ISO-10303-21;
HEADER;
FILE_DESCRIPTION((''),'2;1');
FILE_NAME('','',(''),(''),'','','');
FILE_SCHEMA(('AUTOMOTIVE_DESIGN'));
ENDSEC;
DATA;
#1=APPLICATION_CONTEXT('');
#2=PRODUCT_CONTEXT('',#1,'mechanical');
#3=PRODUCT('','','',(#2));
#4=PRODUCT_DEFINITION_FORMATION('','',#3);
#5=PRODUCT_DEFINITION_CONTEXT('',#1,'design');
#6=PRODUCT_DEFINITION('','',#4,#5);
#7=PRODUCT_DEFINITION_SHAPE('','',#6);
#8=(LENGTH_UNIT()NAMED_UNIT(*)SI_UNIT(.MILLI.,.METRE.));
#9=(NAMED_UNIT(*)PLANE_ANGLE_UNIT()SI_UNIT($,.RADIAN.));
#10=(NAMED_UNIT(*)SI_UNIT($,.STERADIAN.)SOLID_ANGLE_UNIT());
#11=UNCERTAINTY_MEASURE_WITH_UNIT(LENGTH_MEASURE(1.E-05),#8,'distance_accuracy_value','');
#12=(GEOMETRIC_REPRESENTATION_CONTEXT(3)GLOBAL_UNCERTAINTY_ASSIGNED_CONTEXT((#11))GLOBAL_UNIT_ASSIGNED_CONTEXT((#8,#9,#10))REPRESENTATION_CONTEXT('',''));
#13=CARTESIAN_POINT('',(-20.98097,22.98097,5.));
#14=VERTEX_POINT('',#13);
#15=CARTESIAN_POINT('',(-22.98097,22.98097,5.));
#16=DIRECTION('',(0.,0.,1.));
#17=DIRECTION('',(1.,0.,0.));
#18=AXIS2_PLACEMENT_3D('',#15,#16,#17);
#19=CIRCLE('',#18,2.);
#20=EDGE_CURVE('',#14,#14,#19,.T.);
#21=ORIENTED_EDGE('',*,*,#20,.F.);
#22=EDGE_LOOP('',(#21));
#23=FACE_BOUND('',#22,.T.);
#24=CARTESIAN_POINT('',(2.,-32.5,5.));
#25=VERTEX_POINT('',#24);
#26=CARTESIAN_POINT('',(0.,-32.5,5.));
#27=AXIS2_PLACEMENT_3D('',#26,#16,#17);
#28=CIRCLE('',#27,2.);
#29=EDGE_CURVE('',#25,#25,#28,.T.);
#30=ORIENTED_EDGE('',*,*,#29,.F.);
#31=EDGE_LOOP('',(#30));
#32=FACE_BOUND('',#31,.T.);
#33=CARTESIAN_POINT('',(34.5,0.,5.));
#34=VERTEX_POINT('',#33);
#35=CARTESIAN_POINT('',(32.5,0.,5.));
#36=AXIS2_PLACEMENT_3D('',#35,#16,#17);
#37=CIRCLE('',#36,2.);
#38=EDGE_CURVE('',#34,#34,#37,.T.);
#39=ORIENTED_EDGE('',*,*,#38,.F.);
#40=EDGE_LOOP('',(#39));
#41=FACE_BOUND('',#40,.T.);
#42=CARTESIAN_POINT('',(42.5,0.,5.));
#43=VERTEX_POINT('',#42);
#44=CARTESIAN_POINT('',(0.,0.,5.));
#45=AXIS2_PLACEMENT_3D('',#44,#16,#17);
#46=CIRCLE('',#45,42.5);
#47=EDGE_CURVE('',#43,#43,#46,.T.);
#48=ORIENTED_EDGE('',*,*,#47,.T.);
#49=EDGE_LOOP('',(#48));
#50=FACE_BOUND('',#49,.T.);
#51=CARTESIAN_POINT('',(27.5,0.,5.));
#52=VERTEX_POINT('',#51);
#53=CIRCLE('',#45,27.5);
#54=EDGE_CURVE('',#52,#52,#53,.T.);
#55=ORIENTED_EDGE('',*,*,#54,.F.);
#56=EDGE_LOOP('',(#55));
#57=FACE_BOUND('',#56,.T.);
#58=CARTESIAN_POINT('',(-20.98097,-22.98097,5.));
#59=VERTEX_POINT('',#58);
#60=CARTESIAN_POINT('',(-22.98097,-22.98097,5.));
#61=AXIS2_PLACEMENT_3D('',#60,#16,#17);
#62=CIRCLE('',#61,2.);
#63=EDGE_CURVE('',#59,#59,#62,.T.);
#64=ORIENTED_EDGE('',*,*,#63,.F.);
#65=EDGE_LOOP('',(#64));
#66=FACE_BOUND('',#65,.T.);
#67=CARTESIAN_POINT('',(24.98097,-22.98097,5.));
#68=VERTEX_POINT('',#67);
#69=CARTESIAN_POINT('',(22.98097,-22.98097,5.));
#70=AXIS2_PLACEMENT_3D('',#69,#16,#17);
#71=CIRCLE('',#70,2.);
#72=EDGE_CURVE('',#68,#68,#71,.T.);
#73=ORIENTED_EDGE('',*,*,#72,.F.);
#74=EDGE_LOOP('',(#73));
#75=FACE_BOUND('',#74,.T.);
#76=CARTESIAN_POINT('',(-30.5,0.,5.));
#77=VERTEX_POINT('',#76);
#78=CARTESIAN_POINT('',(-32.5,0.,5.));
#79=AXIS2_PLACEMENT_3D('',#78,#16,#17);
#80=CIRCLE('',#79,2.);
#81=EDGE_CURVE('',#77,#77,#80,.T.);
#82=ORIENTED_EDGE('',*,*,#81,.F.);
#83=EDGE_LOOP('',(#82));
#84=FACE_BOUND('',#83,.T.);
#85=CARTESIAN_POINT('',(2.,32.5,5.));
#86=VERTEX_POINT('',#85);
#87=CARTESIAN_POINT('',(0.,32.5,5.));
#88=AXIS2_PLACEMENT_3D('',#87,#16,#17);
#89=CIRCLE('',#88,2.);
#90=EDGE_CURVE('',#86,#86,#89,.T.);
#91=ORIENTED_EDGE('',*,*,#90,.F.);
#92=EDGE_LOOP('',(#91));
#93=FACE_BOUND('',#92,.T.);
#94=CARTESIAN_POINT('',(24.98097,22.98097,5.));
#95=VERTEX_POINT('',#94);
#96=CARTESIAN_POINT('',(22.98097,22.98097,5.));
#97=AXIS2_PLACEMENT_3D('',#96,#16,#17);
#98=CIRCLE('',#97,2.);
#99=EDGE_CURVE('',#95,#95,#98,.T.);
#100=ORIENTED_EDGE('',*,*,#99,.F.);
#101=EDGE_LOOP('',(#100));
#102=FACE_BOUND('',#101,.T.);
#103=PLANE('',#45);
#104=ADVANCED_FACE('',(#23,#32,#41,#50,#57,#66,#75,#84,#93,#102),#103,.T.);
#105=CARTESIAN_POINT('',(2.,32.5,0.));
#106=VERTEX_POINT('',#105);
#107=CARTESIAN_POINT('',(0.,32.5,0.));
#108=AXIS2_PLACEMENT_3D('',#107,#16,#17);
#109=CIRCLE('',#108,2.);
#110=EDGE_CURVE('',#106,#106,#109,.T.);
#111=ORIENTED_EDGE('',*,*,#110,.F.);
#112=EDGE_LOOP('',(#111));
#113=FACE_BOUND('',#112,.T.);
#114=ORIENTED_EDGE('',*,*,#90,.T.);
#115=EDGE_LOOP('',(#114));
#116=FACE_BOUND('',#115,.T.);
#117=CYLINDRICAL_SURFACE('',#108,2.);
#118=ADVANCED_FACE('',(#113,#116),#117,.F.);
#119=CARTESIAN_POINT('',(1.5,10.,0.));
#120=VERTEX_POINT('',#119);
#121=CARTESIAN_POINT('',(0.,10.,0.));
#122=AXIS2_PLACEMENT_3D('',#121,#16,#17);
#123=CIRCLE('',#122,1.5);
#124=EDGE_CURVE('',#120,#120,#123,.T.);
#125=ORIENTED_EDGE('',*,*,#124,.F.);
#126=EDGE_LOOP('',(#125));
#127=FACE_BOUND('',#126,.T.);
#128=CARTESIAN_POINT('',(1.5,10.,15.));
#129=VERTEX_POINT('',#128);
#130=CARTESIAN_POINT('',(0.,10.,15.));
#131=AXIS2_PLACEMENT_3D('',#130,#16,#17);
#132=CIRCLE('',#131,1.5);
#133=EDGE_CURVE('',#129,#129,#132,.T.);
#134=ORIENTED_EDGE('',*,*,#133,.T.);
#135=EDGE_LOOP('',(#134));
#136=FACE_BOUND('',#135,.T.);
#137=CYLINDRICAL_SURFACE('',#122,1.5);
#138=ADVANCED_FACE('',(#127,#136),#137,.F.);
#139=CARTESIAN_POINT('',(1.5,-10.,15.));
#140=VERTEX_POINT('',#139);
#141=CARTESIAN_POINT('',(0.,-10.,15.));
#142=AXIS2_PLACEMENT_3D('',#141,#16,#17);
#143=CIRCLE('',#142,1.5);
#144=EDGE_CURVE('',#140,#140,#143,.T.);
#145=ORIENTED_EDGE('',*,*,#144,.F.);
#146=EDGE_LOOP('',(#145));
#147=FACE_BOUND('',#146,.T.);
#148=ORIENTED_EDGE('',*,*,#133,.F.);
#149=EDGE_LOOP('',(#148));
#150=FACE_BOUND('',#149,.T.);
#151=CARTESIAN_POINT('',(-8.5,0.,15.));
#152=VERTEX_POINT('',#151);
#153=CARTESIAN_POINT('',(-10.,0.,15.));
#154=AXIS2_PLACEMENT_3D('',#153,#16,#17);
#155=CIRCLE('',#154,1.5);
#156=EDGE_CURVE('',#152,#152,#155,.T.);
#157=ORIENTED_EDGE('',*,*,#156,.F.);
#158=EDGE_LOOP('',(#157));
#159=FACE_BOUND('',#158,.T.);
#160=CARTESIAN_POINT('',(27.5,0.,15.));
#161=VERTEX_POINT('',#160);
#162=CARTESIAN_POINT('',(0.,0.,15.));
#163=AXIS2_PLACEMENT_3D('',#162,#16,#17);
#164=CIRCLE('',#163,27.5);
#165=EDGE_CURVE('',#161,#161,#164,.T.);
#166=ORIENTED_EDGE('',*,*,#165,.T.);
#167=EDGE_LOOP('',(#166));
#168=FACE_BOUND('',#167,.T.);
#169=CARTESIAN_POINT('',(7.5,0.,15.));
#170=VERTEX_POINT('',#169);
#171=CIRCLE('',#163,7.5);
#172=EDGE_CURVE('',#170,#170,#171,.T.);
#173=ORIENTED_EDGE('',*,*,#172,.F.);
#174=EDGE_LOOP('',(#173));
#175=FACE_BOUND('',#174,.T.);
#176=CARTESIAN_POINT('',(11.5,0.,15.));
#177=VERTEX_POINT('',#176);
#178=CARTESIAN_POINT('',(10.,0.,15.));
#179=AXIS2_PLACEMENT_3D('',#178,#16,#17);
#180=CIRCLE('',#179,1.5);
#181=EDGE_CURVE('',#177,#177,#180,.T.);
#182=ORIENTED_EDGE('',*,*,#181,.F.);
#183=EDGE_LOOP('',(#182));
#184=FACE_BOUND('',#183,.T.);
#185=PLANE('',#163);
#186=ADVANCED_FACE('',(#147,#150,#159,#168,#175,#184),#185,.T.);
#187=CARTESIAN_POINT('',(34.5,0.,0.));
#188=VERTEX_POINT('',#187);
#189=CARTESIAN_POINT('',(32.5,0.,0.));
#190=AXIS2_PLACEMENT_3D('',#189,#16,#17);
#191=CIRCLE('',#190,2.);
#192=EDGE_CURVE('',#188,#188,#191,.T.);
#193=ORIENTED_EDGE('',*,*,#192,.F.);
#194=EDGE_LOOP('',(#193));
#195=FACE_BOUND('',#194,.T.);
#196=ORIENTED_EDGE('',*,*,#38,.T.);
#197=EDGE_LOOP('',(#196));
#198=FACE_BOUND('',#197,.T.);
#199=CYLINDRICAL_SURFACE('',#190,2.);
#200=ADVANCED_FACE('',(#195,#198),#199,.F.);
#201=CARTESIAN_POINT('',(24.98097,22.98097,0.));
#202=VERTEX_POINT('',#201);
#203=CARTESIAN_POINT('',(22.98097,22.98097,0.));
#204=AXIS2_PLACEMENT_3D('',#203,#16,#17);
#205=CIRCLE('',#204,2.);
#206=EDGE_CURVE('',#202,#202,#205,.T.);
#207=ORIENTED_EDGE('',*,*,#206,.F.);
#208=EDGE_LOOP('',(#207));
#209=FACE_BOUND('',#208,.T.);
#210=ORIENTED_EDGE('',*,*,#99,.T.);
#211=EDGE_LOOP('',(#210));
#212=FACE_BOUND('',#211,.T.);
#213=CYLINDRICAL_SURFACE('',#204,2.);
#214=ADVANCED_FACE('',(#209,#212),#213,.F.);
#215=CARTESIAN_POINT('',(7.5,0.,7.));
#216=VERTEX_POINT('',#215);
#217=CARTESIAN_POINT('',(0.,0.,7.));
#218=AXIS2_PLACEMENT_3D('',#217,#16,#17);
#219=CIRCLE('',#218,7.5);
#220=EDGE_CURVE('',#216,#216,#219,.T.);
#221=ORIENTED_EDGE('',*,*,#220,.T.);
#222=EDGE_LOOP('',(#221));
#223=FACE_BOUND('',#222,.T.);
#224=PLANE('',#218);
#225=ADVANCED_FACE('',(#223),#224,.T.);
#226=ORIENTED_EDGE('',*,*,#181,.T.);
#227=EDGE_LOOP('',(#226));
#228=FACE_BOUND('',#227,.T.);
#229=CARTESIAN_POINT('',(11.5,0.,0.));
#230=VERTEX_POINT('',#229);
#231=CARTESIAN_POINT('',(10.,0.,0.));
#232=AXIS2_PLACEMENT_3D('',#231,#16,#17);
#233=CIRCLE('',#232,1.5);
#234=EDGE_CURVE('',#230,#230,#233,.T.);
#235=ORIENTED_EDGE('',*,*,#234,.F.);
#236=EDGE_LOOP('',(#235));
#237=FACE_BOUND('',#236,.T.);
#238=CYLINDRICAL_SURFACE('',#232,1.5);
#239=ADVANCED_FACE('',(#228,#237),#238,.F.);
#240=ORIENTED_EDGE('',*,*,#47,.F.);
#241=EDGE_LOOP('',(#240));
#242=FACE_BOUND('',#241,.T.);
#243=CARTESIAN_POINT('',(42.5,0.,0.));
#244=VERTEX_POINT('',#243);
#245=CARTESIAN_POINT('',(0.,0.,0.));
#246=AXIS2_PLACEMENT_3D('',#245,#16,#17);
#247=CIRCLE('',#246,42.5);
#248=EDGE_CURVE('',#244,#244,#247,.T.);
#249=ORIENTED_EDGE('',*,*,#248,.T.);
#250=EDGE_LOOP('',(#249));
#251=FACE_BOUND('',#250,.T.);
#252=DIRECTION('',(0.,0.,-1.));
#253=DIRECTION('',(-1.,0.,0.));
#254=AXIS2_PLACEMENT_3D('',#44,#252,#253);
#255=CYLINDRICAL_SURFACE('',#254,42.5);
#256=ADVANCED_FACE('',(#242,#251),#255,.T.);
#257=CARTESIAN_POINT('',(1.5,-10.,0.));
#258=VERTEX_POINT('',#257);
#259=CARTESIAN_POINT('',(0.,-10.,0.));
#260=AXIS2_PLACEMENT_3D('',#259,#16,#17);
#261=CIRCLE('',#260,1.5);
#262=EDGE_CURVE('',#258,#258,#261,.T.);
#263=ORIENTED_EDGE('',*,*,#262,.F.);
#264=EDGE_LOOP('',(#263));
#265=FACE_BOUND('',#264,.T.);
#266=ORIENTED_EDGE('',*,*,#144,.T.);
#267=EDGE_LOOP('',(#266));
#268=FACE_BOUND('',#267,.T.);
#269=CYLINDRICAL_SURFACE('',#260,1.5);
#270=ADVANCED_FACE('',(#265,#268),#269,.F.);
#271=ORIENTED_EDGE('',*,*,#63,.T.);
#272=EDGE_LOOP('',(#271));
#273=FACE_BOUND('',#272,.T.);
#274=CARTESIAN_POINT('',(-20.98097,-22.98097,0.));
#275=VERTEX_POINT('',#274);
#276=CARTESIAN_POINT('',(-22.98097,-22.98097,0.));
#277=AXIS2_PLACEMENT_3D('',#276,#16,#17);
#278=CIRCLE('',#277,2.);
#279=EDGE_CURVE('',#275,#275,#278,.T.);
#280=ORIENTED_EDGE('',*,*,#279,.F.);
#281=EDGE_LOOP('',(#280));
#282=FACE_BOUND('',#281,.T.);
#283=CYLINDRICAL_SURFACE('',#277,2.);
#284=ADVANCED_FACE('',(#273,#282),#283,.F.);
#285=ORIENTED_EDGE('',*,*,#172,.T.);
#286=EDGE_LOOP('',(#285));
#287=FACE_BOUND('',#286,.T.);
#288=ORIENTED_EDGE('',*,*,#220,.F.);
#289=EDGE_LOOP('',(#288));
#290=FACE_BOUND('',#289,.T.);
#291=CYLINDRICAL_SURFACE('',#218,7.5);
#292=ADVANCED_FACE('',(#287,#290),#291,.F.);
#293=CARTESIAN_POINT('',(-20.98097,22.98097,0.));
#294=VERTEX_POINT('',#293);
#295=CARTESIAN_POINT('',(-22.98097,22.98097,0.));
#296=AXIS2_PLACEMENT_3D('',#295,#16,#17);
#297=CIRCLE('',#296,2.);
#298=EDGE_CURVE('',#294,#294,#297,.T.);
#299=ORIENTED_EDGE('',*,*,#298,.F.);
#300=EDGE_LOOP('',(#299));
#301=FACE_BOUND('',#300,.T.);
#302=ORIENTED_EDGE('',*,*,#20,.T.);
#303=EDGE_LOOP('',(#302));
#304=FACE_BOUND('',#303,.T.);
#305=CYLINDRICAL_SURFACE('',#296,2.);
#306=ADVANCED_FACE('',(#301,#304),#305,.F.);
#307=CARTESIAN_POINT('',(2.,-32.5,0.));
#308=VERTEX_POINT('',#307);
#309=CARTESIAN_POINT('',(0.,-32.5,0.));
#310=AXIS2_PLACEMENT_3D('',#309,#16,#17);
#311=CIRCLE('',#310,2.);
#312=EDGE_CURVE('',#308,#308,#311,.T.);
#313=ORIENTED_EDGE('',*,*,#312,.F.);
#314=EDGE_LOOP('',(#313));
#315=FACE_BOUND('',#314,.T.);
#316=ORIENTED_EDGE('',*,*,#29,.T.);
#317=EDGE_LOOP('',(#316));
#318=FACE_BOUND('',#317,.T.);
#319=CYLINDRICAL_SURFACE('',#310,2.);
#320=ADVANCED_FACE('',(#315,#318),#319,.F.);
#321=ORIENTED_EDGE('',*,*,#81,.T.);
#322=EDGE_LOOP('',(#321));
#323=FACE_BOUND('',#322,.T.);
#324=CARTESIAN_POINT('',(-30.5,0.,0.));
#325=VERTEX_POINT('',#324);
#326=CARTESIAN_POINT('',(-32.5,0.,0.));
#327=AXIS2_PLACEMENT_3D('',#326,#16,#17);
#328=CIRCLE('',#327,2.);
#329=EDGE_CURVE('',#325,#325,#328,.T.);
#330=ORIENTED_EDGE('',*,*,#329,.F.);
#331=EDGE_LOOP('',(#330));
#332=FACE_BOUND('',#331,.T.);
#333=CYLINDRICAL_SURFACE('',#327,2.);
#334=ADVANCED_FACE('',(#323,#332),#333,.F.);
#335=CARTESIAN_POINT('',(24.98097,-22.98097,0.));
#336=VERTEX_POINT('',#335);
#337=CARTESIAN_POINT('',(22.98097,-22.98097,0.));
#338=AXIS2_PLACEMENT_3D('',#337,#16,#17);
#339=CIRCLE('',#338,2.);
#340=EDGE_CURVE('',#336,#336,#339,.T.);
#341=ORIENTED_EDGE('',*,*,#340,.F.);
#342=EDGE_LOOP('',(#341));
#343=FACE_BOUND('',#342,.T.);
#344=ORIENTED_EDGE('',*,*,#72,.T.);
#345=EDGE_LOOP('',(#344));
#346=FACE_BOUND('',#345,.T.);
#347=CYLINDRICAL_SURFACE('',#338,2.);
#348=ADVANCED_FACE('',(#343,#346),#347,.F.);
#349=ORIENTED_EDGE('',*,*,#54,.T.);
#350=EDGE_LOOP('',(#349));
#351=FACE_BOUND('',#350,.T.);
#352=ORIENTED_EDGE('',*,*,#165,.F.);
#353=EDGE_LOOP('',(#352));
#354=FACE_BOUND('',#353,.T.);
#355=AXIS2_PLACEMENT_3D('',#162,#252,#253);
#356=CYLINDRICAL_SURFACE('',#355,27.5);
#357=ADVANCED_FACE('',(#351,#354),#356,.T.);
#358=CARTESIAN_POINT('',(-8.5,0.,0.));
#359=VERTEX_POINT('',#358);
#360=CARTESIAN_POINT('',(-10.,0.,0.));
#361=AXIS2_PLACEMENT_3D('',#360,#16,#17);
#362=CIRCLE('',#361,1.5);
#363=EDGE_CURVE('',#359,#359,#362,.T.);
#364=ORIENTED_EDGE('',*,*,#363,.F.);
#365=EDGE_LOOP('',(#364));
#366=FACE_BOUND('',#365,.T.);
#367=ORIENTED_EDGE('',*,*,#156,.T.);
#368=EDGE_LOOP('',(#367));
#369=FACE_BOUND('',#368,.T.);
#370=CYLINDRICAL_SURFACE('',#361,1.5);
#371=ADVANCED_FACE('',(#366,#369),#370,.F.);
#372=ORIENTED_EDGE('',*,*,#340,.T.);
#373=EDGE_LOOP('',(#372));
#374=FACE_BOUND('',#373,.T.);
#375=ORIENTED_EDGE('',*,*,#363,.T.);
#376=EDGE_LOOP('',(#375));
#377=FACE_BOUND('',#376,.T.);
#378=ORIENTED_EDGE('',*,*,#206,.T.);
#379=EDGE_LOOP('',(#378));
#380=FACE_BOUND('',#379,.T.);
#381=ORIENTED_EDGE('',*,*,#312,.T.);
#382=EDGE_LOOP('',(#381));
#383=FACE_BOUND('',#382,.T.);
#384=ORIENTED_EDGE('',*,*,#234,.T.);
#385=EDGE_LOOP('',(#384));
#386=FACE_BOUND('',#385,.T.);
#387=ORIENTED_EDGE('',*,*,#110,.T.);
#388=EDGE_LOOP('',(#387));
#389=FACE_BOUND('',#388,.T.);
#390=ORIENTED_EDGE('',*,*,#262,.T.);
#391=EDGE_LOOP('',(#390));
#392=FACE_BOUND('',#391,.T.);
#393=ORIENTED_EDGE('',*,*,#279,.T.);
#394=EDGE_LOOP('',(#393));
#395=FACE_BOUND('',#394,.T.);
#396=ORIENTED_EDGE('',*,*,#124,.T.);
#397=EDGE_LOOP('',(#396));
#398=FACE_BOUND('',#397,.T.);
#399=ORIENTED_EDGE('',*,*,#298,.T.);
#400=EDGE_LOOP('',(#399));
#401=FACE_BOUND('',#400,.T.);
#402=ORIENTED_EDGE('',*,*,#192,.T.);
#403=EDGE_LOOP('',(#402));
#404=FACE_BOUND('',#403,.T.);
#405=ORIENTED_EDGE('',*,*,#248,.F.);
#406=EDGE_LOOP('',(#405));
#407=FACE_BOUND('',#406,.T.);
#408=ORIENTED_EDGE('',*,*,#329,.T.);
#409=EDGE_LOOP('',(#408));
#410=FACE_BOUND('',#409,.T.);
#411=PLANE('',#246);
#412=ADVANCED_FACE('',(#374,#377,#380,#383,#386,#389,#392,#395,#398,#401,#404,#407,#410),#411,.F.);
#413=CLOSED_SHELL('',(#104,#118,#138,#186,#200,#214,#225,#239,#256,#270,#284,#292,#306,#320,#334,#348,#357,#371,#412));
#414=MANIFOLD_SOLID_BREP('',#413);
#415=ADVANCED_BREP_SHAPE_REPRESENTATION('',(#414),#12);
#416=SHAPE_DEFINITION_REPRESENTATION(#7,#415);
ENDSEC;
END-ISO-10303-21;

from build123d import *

# Parameters (mm, degrees)
SKETCH1_R           = 42.5
BOSS_EXTRUDE1_DEPTH = 5
SKETCH2_R           = 27.5
BOSS_EXTRUDE2_DEPTH = 10
SKETCH3_R           = 7.5
CUT_EXTRUDE1_DEPTH  = 8
SKETCH4_R           = 1.5
CUT_EXTRUDE2_DEPTH  = 16
SKETCH5_R           = 2
CUT_EXTRUDE3_DEPTH  = 6


with BuildPart() as part:
    # Sketch1 → Boss-Extrude1 (new body)
    with BuildSketch(Plane.XY):
        Circle(SKETCH1_R)
    extrude(amount=BOSS_EXTRUDE1_DEPTH)

    # Sketch2 → Boss-Extrude2 (add)
    with BuildSketch(Plane.XY.offset(5)):
        Circle(SKETCH2_R)
    extrude(amount=BOSS_EXTRUDE2_DEPTH)

    # Sketch3 → Cut-Extrude1 (cut)
    with BuildSketch(Plane.XY.offset(15)):
        Circle(SKETCH3_R)
    extrude(amount=-CUT_EXTRUDE1_DEPTH, mode=Mode.SUBTRACT)

    # Sketch4 → Cut-Extrude2 (cut, through all)
    with BuildSketch(Plane.XY.offset(15)):
        with Locations((0, 10)):
            Circle(SKETCH4_R)
        with Locations((10, 0)):
            Circle(SKETCH4_R)
        with Locations((0, -10)):
            Circle(SKETCH4_R)
        with Locations((-10, 0)):
            Circle(SKETCH4_R)
    extrude(amount=-CUT_EXTRUDE2_DEPTH, mode=Mode.SUBTRACT)

    # Sketch5 → Cut-Extrude3 (cut, through all)
    with BuildSketch(Plane.XY.offset(5)):
        with Locations((0, 32.5)):
            Circle(SKETCH5_R)
        with Locations((22.980970389, 22.980970389)):
            Circle(SKETCH5_R)
        with Locations((32.5, 0)):
            Circle(SKETCH5_R)
        with Locations((22.980970389, -22.980970389)):
            Circle(SKETCH5_R)
        with Locations((0, -32.5)):
            Circle(SKETCH5_R)
        with Locations((-22.980970389, -22.980970389)):
            Circle(SKETCH5_R)
        with Locations((-32.5, 0)):
            Circle(SKETCH5_R)
        with Locations((-22.980970389, 22.980970389)):
            Circle(SKETCH5_R)
    extrude(amount=-CUT_EXTRUDE3_DEPTH, mode=Mode.SUBTRACT)


solid = part.part
